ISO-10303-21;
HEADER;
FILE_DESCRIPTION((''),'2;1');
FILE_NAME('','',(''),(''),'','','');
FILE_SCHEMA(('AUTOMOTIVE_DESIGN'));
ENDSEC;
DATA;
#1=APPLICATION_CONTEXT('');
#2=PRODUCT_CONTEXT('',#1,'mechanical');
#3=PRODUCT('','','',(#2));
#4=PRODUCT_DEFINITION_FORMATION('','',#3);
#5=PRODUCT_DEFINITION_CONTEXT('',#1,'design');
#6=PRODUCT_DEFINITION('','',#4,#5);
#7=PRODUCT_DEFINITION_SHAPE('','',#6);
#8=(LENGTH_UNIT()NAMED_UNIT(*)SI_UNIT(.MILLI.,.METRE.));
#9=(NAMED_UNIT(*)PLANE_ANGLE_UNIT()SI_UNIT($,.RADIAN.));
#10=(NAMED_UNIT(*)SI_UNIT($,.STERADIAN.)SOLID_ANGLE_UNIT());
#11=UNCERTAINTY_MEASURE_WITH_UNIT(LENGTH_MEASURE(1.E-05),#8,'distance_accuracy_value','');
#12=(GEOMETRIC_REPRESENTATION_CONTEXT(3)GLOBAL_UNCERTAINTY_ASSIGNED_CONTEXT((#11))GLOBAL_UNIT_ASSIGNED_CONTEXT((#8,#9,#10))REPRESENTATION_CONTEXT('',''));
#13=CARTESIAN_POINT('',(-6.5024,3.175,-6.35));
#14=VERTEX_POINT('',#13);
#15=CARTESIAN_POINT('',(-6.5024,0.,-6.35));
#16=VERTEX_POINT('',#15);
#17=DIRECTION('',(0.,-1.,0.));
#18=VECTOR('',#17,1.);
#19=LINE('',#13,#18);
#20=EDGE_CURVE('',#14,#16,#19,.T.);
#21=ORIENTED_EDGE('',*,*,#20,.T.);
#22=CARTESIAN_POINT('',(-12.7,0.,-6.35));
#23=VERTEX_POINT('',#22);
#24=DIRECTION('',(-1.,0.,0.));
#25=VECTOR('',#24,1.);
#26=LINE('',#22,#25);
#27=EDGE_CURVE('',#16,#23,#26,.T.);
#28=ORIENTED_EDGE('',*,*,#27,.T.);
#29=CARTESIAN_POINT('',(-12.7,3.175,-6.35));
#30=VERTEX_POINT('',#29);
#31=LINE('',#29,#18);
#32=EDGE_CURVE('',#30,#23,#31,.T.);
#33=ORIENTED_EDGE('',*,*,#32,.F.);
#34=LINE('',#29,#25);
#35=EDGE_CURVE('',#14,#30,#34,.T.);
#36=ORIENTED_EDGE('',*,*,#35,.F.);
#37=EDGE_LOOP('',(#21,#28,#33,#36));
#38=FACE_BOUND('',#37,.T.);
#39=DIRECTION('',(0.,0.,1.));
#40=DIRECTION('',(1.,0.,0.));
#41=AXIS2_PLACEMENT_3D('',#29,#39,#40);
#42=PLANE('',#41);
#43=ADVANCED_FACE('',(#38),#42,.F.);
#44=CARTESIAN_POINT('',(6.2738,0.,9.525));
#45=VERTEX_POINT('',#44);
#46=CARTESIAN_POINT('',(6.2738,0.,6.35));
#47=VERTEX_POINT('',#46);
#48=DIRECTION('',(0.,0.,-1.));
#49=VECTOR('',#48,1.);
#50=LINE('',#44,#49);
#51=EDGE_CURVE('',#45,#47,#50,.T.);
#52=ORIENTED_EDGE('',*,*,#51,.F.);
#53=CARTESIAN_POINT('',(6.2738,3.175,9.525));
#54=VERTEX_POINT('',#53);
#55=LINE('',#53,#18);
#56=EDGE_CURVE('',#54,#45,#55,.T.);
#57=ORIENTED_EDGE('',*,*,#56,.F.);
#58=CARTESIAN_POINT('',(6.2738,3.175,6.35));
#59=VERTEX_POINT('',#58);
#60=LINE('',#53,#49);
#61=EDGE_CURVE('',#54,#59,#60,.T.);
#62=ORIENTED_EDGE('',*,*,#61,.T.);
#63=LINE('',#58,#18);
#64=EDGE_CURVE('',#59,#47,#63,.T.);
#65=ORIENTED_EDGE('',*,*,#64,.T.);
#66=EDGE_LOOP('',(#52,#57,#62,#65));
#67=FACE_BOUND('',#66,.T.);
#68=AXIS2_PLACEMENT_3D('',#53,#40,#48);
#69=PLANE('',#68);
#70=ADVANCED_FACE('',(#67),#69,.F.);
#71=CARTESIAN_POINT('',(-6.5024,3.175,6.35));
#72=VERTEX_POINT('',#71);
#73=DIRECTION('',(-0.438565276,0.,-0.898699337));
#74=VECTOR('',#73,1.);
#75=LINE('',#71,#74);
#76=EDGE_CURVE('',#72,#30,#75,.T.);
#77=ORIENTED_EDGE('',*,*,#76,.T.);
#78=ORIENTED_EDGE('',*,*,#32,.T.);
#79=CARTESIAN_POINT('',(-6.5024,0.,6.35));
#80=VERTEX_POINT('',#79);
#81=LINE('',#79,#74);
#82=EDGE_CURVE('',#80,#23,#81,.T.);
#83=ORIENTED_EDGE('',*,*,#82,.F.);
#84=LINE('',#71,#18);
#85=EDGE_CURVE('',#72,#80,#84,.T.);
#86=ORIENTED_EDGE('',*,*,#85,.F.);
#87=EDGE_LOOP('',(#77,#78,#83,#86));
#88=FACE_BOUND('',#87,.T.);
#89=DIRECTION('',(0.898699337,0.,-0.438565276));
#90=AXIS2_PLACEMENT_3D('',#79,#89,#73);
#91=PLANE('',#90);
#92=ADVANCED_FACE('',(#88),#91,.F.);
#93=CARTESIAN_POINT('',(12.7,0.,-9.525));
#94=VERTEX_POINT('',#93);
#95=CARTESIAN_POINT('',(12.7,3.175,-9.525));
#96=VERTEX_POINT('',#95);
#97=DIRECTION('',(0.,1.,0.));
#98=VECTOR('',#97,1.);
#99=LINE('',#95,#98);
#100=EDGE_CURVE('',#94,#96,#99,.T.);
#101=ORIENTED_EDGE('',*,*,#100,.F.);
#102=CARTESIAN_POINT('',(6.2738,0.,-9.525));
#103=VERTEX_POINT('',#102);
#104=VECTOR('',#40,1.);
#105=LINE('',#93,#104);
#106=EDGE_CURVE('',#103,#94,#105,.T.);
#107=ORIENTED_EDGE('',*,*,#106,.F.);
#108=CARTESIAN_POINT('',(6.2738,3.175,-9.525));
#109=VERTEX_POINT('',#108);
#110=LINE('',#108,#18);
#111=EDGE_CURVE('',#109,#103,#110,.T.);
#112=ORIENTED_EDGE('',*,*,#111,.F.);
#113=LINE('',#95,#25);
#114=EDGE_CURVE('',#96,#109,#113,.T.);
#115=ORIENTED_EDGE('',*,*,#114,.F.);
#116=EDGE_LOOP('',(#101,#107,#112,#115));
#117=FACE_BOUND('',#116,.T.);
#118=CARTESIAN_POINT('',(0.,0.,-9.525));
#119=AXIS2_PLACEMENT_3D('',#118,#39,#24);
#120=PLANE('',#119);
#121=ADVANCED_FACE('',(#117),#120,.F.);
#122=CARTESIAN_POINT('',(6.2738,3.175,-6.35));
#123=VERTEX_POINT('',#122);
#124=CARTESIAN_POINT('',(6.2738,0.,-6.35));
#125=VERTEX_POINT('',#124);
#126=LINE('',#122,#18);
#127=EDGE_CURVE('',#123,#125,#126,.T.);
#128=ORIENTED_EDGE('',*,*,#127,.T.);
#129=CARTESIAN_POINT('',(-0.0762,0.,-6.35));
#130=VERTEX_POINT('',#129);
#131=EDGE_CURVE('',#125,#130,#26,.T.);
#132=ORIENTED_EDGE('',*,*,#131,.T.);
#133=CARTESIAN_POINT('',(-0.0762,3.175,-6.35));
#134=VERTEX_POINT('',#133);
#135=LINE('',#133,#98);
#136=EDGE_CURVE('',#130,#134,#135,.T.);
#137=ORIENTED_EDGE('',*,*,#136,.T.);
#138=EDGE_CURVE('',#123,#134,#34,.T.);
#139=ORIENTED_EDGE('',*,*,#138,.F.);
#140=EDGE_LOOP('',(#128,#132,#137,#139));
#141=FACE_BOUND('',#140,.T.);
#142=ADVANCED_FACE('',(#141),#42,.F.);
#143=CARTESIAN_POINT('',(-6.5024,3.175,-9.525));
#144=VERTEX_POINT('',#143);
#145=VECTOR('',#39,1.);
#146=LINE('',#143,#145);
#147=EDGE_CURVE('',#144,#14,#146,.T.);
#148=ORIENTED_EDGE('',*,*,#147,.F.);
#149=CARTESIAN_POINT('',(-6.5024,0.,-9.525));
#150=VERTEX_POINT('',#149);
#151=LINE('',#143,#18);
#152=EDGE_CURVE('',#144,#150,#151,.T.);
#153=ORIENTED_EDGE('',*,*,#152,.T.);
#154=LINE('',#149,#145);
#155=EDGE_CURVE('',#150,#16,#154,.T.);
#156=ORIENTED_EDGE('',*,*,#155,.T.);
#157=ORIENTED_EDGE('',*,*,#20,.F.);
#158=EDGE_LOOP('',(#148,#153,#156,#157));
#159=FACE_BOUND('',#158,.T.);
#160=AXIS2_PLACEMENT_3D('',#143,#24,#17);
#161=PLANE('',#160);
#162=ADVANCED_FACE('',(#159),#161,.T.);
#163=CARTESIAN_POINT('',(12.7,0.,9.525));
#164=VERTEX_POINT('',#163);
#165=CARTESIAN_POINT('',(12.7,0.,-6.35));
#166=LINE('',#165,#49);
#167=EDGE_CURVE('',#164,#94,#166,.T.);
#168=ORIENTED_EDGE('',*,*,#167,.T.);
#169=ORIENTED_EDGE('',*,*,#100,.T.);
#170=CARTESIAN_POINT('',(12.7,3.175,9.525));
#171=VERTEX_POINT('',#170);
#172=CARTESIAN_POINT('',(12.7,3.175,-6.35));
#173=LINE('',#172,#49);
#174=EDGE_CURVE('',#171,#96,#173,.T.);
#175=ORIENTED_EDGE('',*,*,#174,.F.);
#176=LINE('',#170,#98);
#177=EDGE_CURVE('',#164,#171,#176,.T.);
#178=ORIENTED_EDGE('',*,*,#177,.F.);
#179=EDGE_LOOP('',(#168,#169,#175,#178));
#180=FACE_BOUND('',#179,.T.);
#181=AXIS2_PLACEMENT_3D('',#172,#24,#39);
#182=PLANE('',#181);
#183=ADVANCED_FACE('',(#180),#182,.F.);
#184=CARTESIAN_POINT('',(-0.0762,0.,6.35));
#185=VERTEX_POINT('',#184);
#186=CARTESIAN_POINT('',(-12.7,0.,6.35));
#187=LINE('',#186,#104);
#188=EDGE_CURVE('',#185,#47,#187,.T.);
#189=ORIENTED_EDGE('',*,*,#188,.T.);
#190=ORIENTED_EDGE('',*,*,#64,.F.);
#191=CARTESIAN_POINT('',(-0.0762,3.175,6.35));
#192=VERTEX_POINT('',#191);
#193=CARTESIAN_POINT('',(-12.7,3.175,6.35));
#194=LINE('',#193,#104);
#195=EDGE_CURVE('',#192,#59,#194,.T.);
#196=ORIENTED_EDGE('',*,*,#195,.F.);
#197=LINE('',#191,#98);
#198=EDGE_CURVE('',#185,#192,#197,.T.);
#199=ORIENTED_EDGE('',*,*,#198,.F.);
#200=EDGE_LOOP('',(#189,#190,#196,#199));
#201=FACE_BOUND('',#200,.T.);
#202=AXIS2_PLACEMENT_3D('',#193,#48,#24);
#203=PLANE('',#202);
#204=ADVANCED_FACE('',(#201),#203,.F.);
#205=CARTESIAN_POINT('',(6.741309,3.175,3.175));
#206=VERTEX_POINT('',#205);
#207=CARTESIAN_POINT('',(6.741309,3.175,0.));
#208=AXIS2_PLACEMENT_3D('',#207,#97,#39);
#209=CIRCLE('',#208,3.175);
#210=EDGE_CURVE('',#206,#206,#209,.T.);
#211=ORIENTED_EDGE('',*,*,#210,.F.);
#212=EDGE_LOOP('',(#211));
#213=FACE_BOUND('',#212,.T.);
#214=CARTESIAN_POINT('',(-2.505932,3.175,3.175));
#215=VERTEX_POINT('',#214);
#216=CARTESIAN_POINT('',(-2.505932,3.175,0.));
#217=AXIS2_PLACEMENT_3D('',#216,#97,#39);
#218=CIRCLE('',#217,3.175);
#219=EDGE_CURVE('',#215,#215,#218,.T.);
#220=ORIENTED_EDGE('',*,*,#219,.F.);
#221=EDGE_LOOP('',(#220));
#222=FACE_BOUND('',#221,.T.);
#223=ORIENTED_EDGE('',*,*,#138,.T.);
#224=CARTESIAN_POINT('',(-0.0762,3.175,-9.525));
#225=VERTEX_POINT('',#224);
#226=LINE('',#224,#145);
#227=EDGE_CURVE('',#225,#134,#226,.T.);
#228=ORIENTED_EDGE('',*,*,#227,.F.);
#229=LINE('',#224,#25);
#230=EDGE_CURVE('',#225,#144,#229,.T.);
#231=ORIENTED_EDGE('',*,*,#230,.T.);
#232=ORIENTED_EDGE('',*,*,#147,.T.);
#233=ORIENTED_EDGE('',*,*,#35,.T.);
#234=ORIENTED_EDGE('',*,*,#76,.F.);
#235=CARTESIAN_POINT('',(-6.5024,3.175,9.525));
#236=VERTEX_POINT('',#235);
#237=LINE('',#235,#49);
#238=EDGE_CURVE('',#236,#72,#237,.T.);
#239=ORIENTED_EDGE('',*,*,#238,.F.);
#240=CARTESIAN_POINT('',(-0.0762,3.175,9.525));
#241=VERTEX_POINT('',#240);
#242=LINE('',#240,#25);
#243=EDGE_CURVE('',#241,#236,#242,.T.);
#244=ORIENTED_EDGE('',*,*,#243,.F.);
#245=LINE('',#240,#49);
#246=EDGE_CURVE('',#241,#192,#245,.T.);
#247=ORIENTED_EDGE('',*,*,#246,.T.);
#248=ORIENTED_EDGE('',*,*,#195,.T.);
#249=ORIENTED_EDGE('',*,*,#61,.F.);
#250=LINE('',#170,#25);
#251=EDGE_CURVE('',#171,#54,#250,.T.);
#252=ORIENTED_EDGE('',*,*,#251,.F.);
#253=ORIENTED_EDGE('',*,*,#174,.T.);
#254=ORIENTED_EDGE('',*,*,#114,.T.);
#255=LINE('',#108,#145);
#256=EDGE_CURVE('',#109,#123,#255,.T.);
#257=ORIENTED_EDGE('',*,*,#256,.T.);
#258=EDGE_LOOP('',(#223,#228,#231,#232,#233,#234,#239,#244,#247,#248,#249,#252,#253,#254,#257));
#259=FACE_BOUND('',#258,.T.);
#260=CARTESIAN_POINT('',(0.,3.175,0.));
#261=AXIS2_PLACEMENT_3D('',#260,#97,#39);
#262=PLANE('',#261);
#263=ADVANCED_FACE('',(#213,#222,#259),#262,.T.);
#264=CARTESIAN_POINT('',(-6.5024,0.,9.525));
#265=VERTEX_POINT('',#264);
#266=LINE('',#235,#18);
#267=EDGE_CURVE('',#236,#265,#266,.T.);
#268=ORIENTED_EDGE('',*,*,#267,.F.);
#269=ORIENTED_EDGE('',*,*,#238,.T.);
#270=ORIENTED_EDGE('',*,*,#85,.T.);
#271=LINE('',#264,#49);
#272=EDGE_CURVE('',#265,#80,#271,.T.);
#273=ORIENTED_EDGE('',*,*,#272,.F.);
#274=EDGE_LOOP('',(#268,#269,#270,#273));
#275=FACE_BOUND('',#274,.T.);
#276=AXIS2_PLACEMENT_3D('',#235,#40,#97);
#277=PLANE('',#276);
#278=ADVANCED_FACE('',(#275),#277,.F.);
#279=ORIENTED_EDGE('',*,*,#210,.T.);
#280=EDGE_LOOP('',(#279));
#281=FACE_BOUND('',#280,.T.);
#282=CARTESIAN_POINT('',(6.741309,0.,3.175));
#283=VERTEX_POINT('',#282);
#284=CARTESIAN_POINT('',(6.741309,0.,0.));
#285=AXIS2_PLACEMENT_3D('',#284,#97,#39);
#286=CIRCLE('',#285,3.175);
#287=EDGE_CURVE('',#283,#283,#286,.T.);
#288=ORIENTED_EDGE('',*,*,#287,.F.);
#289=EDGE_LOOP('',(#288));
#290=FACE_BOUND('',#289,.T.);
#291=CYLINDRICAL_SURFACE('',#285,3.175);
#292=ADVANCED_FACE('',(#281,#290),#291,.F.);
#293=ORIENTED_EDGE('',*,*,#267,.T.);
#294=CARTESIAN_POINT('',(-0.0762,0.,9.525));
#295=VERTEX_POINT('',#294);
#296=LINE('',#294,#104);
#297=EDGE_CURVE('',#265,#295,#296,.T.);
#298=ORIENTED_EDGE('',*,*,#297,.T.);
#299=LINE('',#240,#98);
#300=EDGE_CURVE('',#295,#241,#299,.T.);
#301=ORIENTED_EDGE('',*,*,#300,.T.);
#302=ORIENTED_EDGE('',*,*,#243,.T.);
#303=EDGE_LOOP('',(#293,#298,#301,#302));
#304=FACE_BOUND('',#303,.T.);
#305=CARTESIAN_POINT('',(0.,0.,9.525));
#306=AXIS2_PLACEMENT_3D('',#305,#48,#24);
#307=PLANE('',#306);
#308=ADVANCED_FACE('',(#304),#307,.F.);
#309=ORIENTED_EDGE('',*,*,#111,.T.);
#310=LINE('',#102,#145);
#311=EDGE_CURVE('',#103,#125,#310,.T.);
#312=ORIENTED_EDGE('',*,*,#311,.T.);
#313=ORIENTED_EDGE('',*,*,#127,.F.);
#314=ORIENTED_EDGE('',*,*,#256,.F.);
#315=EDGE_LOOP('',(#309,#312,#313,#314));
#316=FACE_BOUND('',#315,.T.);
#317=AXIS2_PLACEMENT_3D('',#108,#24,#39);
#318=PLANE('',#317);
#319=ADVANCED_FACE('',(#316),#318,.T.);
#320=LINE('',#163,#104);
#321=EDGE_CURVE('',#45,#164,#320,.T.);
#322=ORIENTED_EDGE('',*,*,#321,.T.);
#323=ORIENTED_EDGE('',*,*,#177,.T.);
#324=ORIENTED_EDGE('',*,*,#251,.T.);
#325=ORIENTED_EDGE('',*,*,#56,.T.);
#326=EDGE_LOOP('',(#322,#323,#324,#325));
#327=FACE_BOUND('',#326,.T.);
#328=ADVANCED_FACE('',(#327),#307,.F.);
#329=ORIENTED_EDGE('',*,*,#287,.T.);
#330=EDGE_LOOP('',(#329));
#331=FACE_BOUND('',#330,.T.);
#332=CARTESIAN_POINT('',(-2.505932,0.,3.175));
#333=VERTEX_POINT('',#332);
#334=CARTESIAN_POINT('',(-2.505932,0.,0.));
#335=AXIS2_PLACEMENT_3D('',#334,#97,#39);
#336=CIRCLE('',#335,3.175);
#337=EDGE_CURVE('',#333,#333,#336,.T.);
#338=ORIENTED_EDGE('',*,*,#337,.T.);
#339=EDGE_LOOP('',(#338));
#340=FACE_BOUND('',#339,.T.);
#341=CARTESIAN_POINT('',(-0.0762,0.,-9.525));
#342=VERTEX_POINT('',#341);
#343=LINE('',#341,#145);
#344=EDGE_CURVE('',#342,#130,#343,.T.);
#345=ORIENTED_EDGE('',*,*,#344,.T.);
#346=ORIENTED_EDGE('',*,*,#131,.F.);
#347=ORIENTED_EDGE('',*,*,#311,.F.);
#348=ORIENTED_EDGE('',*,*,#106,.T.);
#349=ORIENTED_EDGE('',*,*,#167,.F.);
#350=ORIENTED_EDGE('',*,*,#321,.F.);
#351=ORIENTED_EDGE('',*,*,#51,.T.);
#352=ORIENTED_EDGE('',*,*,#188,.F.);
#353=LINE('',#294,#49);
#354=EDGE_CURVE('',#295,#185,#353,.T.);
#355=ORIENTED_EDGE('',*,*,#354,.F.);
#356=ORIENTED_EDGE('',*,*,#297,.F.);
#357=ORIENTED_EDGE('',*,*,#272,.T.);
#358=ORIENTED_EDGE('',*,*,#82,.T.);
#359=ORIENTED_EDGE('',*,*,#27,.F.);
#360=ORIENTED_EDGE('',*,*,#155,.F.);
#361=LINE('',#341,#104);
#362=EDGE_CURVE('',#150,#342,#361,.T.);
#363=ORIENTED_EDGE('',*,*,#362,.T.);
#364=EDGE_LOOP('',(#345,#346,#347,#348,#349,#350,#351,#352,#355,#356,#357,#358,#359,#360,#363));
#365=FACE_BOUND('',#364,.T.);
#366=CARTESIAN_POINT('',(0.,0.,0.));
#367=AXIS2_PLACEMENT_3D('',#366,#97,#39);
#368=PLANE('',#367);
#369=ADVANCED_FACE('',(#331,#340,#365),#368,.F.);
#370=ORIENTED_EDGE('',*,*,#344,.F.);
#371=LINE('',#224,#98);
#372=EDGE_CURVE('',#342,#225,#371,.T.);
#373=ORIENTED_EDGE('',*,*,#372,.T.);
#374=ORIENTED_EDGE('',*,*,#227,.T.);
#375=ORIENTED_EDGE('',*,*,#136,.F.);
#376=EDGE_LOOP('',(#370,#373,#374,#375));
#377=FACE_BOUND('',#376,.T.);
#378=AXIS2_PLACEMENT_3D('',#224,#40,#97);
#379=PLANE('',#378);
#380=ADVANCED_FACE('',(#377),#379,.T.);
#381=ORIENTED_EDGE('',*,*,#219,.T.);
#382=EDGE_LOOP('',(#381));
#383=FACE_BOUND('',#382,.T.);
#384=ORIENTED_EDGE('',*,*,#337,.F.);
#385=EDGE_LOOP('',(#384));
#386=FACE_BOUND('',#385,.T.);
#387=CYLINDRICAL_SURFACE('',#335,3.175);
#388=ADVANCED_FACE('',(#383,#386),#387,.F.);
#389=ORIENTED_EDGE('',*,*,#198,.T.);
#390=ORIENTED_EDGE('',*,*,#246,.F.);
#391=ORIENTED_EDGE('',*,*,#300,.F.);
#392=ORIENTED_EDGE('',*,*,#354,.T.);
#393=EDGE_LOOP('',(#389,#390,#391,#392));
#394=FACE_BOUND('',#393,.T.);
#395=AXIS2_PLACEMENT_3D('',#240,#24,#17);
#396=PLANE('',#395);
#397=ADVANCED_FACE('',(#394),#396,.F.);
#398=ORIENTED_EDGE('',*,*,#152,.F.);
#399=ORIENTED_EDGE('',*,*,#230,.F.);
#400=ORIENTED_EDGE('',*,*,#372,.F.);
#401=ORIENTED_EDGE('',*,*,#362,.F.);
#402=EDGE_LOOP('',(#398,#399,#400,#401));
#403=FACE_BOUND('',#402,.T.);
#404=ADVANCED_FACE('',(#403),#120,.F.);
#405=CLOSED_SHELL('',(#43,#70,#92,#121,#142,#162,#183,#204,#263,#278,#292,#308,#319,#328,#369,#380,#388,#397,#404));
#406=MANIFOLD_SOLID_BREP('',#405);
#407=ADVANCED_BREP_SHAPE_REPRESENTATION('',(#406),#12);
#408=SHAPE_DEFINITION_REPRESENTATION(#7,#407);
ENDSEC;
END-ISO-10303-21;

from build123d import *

# Parameters (mm, degrees)
SKETCH1_W           = 25.4
SKETCH1_H           = 12.7
BOSS_EXTRUDE1_DEPTH = 3.175
SKETCH2_W           = 6.4262
SKETCH2_H           = 3.175
BOSS_EXTRUDE2_DEPTH = 3.175
CUT_EXTRUDE1_DEPTH  = 3.175
SKETCH4_R           = 3.175
CUT_EXTRUDE2_DEPTH  = 4.175


with BuildPart() as part:
    # Sketch1 → Boss-Extrude1 (new body)
    with BuildSketch(Plane(origin=(0, 0, 0), x_dir=(1, 0, 0), z_dir=(0, 1, 0))):
        Rectangle(SKETCH1_W, SKETCH1_H)
    extrude(amount=BOSS_EXTRUDE1_DEPTH)

    # Sketch2 → Boss-Extrude2 (add)
    with BuildSketch(Plane.XY.offset(6.35)):
        with Locations((9.4869, 1.5875)):
            Rectangle(SKETCH2_W, SKETCH2_H)
        with Locations((-3.2893, 1.5875)):
            Rectangle(SKETCH2_W, SKETCH2_H)
    boss_extrude2 = extrude(amount=BOSS_EXTRUDE2_DEPTH)

    # Mirror1: Boss-Extrude2 across plane
    add(boss_extrude2.mirror(Plane.XY))

    # Sketch3 → Cut-Extrude1 (cut)
    with BuildSketch(Plane(origin=(0, 3.175, 0), x_dir=(1, 0, 0), z_dir=(0, 1, 0))):
        Polygon((-6.5024, -6.35), (-12.7, 6.35), (-12.7, -6.35), align=None)
    extrude(amount=-CUT_EXTRUDE1_DEPTH, mode=Mode.SUBTRACT)

    # Sketch4 → Cut-Extrude2 (cut, through all)
    with BuildSketch(Plane(origin=(0, 3.175, 0), x_dir=(1, 0, 0), z_dir=(0, 1, 0))):
        with Locations((-2.505931508, 0)):
            Circle(SKETCH4_R)
        with Locations((6.741308704, 0)):
            Circle(SKETCH4_R)
    extrude(amount=-CUT_EXTRUDE2_DEPTH, mode=Mode.SUBTRACT)


solid = part.part
